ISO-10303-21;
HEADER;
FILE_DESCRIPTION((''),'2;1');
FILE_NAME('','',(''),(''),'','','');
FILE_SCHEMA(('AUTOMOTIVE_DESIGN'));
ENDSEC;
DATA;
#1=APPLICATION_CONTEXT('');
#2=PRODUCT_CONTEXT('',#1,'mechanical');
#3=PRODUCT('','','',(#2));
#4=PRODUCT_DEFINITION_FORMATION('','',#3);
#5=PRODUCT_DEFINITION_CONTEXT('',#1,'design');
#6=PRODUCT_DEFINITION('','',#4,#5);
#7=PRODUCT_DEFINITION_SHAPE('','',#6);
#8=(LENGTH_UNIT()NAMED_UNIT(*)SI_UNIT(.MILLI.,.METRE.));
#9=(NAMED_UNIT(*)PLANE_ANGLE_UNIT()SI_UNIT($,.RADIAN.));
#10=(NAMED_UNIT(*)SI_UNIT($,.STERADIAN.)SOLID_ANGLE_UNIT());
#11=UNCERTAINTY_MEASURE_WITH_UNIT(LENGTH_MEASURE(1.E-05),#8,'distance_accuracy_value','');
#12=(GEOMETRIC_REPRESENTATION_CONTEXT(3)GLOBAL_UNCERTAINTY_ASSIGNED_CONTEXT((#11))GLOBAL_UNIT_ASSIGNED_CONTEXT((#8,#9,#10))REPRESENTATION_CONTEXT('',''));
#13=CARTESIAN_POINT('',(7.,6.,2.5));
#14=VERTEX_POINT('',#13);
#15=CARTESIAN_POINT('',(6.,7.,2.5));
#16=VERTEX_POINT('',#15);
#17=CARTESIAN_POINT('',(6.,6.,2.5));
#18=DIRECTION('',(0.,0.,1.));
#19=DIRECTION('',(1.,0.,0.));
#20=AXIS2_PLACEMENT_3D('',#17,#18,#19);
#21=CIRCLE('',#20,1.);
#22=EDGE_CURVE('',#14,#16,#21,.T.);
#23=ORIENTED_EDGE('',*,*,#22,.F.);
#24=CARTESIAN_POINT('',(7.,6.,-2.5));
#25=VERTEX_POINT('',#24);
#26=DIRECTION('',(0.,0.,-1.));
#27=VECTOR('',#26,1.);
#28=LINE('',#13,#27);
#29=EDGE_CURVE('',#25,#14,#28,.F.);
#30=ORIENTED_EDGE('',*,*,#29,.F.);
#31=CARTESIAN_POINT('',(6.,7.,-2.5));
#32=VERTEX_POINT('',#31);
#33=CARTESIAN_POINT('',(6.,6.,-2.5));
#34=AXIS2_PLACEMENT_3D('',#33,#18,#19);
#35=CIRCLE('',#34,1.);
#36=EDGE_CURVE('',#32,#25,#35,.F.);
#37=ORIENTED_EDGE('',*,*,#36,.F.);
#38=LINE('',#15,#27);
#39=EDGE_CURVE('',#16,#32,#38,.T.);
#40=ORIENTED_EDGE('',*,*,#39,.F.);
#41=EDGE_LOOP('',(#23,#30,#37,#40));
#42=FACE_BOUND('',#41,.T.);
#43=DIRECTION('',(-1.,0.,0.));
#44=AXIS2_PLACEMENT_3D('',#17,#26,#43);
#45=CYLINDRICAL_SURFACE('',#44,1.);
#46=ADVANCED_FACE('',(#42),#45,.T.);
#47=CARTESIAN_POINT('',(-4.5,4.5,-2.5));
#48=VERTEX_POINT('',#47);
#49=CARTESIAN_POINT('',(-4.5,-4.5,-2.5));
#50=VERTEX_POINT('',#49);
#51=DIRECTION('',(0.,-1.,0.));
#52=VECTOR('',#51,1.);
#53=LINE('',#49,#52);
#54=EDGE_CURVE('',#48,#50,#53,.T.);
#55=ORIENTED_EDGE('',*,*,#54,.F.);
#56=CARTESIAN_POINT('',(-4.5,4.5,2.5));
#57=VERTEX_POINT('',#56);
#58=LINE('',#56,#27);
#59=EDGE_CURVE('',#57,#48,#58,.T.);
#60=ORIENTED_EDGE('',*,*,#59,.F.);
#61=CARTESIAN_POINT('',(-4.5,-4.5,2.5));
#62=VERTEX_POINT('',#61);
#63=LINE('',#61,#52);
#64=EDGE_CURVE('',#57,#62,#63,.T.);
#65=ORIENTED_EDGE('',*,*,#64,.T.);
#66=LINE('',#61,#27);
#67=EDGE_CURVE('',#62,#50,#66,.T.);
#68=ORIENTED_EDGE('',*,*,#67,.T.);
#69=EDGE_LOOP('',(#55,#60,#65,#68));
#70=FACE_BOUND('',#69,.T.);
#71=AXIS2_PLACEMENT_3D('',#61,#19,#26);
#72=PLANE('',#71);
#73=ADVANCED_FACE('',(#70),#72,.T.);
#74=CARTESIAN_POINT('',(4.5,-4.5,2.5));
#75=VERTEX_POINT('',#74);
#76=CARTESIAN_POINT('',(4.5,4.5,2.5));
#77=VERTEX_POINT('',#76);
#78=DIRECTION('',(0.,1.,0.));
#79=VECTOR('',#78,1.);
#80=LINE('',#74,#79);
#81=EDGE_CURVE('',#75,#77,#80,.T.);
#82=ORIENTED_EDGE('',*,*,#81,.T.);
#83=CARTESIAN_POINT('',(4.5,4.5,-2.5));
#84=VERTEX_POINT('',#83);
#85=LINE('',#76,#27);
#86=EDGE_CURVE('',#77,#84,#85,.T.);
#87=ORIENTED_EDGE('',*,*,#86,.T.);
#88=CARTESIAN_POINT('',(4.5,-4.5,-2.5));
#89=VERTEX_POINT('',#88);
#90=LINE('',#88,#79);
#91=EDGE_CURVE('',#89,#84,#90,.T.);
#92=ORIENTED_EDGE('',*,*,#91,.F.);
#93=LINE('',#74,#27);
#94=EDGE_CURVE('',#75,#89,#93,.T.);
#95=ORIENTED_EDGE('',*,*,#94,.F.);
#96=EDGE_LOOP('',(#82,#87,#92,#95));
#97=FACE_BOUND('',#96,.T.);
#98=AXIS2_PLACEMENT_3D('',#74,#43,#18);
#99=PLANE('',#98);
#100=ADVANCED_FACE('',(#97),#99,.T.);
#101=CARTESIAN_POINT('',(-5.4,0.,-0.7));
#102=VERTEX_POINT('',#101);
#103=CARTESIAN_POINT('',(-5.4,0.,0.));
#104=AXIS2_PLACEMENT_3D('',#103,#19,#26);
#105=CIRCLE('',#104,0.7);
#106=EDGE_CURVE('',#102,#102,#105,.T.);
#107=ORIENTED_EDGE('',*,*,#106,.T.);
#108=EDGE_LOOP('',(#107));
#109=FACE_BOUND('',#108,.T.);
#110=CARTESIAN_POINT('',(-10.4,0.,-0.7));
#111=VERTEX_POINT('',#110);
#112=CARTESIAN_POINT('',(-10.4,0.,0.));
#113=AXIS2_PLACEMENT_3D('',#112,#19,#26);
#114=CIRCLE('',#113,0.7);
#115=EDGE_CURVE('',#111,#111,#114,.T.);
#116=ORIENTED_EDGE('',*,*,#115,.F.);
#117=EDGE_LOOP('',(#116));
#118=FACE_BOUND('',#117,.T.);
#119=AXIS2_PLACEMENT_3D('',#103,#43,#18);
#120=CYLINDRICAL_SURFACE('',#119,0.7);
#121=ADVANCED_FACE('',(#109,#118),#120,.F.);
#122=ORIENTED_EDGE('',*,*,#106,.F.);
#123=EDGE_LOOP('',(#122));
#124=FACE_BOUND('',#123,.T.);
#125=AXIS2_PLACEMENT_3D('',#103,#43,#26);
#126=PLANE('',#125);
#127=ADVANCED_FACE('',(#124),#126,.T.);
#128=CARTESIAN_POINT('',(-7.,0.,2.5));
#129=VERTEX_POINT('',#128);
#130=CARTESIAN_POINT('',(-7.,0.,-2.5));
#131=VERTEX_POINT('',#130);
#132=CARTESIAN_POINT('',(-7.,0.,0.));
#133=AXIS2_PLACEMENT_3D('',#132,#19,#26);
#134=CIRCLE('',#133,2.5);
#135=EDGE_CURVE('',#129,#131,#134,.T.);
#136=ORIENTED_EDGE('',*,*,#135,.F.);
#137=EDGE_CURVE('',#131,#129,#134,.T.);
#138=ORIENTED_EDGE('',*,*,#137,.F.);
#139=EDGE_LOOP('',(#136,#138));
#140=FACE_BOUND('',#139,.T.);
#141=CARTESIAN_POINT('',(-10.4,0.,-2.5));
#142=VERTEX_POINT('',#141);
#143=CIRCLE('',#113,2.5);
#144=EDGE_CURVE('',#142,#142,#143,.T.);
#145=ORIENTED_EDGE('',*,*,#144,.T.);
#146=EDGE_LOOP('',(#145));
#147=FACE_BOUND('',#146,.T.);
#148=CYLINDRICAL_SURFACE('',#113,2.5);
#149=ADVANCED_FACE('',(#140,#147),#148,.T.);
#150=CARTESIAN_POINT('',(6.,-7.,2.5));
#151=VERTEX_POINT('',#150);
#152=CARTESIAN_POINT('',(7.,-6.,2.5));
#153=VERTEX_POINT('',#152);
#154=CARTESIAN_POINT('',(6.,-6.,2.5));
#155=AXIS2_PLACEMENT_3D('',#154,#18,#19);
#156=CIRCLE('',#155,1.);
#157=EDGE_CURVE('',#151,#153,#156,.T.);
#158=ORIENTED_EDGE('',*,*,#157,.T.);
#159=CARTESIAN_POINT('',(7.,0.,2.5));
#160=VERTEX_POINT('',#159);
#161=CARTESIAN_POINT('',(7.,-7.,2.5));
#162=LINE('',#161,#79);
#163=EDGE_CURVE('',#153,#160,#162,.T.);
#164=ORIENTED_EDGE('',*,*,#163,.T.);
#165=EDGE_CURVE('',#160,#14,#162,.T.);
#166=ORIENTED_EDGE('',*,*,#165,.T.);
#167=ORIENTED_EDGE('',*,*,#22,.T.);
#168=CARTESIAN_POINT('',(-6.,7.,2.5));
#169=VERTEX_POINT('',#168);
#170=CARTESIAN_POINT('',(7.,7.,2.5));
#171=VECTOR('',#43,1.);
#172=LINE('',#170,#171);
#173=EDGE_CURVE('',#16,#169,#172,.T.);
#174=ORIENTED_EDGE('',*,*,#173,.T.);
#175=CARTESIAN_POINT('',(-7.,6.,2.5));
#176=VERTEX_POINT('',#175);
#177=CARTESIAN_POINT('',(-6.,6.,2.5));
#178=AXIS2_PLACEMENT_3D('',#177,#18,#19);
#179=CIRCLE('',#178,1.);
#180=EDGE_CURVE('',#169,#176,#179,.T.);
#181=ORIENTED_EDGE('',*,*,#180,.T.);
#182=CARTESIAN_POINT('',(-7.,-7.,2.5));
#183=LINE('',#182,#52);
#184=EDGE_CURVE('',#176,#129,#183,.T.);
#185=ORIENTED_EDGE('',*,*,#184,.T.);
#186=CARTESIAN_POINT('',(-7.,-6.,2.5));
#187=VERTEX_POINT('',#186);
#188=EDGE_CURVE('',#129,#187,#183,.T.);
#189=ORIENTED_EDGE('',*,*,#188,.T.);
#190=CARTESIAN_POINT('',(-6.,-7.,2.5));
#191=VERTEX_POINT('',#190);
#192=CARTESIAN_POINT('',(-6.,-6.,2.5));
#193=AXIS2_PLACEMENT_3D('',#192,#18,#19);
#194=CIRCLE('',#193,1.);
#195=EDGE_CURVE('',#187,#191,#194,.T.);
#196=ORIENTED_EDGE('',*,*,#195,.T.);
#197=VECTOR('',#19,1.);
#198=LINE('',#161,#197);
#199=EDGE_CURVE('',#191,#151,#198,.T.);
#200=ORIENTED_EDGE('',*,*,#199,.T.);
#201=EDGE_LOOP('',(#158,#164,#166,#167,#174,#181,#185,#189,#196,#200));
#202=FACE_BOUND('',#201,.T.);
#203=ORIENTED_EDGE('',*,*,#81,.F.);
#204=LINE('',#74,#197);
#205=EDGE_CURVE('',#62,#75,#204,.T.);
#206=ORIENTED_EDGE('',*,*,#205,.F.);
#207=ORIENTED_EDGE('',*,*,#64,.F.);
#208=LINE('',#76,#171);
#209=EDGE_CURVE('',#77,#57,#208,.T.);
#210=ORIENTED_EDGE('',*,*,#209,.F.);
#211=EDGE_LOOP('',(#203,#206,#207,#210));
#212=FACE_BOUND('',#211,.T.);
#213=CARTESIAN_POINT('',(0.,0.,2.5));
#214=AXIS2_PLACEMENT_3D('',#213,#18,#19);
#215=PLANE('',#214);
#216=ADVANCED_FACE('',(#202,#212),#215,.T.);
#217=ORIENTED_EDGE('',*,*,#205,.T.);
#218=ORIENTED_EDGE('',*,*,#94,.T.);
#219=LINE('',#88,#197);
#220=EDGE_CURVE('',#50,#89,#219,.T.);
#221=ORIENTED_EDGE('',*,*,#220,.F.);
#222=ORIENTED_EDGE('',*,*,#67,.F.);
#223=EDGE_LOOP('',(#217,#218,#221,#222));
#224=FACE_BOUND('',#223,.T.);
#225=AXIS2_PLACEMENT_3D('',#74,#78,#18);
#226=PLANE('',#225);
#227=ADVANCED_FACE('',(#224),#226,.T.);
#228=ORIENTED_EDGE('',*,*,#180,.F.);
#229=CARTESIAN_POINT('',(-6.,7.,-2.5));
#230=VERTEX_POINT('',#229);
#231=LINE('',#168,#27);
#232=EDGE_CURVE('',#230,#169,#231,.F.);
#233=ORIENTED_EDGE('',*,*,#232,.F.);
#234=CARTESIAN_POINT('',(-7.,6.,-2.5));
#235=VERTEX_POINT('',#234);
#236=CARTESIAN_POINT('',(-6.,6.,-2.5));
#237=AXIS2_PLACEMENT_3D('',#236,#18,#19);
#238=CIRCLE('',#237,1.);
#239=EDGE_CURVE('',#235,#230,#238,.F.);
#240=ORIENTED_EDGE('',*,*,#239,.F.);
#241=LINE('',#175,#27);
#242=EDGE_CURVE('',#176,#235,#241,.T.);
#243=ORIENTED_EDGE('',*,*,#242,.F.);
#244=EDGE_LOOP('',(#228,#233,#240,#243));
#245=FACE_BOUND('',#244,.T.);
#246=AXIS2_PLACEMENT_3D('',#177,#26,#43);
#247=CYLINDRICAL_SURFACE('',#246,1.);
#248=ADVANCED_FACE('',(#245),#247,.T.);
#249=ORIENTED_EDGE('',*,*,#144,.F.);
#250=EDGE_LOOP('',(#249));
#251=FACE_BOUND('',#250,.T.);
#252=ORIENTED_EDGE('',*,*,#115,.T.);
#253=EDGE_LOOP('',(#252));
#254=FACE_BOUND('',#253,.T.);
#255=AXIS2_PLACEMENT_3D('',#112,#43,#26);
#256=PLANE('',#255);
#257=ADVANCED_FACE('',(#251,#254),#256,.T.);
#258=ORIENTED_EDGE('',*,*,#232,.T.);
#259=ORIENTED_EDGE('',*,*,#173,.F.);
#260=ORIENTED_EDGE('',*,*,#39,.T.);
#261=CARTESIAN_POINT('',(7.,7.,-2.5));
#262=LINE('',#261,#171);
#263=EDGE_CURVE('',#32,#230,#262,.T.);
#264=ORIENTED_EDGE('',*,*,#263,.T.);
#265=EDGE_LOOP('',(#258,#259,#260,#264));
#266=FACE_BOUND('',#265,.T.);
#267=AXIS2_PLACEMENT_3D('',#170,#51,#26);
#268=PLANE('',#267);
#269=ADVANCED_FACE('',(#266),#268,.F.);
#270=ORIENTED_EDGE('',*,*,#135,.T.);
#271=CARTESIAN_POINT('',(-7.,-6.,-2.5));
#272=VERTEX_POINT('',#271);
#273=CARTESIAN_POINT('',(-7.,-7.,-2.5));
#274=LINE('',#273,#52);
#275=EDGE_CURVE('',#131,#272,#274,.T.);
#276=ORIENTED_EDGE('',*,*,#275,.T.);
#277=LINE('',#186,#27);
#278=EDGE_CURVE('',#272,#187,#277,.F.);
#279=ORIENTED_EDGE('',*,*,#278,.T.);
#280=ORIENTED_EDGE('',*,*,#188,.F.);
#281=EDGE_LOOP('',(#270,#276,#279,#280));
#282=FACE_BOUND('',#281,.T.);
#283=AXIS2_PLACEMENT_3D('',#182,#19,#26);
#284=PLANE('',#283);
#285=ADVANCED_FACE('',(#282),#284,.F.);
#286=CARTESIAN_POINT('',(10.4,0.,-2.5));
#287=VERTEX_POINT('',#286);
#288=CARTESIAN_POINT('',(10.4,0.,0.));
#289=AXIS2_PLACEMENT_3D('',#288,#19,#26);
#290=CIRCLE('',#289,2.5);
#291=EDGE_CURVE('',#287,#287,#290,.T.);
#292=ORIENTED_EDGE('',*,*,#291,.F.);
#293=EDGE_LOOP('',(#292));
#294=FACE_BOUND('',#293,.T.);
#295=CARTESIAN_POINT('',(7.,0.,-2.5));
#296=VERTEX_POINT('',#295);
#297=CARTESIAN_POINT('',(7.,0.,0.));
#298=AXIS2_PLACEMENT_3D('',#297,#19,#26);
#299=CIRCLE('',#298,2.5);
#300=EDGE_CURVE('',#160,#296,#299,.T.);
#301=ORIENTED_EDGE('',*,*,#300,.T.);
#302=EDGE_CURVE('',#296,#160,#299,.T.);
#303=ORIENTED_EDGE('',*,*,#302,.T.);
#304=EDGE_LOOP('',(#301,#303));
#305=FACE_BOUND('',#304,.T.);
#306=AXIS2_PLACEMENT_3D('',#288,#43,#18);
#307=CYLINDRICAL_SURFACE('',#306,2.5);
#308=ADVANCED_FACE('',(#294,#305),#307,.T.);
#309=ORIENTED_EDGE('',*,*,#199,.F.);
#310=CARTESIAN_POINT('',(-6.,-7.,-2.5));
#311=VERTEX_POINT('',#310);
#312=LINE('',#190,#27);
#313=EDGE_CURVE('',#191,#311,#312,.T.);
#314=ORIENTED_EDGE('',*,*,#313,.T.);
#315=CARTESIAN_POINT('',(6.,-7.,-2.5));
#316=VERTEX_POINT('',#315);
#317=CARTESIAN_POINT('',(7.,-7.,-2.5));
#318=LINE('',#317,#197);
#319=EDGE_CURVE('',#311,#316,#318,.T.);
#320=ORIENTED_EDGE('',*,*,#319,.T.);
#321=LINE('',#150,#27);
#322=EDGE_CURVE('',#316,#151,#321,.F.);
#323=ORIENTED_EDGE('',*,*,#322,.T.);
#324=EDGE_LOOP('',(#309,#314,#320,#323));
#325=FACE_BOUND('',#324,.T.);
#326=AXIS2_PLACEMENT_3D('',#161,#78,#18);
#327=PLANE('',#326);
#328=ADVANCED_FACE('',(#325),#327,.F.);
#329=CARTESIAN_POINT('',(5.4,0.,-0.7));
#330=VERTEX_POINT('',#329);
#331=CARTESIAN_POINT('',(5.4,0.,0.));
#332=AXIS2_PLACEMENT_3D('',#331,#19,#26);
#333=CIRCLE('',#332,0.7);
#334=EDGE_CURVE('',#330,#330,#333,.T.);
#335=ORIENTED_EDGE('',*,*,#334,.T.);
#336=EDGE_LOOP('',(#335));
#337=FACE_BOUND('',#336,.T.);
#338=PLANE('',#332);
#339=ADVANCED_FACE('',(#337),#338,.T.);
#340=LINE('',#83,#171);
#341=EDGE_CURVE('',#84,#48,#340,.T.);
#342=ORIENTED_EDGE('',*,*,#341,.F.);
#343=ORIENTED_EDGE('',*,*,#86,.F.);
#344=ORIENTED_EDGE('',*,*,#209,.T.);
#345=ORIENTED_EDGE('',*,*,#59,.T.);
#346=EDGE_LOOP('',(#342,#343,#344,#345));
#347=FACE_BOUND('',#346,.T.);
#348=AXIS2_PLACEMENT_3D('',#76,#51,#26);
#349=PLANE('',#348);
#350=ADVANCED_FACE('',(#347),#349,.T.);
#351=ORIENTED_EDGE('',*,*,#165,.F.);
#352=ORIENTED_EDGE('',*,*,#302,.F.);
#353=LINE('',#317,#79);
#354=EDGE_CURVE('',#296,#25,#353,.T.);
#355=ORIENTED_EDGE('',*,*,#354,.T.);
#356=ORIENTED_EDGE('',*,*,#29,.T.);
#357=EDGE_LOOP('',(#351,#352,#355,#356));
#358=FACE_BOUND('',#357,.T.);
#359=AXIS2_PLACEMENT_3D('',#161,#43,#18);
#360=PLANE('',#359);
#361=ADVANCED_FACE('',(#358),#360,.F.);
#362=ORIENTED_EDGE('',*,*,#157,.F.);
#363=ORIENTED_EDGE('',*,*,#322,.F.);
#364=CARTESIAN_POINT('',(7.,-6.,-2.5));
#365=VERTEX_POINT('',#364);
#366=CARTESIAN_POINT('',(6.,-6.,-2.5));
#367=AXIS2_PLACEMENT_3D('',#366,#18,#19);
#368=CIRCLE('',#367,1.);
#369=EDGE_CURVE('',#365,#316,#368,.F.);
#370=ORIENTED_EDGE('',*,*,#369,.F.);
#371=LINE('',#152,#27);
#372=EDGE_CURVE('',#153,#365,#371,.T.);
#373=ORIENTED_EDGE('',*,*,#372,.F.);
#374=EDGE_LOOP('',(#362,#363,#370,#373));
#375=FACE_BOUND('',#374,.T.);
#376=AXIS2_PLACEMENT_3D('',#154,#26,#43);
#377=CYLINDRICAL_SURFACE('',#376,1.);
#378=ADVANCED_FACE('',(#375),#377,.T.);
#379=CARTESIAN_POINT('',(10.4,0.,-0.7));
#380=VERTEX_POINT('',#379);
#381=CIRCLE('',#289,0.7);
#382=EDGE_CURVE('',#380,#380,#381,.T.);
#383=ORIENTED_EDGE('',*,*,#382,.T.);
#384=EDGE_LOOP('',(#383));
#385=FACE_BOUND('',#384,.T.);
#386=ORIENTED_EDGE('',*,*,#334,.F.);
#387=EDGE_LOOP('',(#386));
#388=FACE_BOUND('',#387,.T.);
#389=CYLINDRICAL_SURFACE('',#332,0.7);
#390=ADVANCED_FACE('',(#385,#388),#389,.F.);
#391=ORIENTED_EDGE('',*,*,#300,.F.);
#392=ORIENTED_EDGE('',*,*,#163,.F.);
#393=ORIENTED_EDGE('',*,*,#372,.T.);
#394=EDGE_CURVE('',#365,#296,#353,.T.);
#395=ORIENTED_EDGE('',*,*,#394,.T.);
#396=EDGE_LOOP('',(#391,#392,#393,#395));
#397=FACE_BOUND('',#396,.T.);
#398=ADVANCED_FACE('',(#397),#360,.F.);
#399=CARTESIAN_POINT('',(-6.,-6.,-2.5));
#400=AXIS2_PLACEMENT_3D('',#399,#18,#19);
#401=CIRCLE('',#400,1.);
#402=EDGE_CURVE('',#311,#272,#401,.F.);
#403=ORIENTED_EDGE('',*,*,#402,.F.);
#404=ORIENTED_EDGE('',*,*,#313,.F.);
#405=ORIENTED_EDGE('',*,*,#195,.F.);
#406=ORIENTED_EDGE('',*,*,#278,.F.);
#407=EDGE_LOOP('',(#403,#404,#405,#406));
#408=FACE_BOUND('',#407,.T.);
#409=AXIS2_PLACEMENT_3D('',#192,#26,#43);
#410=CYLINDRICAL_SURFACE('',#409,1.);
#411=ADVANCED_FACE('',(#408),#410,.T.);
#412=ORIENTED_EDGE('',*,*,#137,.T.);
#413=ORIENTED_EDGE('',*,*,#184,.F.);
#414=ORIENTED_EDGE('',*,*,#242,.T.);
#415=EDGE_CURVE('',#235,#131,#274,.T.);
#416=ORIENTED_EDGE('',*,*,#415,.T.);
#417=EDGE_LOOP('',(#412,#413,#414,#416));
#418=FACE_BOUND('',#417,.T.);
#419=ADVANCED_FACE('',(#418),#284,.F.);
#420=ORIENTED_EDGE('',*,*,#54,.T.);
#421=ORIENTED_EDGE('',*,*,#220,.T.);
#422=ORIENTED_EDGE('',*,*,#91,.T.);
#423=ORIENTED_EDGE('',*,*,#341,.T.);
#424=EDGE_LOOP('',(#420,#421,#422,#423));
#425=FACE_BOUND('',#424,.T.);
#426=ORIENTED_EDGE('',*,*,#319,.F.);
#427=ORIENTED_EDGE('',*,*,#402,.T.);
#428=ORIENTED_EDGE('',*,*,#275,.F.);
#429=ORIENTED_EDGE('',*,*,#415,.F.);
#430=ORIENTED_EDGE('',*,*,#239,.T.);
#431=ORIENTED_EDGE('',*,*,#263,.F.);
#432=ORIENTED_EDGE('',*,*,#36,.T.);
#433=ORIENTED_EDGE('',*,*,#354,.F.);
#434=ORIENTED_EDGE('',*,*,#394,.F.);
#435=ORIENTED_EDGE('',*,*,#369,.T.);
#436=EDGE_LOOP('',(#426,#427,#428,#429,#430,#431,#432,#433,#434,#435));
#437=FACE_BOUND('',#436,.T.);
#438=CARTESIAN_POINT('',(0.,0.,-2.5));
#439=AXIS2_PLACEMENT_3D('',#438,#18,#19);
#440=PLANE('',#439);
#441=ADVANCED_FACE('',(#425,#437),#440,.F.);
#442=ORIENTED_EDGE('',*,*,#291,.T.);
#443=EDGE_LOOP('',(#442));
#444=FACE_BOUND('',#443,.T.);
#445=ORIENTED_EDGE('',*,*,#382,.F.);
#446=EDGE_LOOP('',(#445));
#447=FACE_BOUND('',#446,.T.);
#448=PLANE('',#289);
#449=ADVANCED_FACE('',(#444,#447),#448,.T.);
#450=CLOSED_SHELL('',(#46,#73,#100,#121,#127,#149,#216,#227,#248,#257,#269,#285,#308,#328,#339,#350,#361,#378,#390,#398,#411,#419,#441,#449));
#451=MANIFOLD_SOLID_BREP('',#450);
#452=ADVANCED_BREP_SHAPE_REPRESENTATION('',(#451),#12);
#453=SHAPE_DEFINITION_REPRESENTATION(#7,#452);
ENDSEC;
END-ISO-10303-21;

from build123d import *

# Parameters (mm, degrees)
SKETCH1_W           = 14
SKETCH1_H           = 14
SKETCH1_W_2         = 9
SKETCH1_H_2         = 9
BOSS_EXTRUDE1_DEPTH = 2.5
SKETCH3_R           = 2.5
BOSS_EXTRUDE2_DEPTH = 3.4
SKETCH4_R           = 0.7
CUT_EXTRUDE1_DEPTH  = 5
FILLET1_R           = 1


with BuildPart() as part:
    # Sketch1 → Boss-Extrude1 (new body, symmetric)
    with BuildSketch(Plane.XY):
        Rectangle(SKETCH1_W, SKETCH1_H)
        Rectangle(SKETCH1_W_2, SKETCH1_H_2, mode=Mode.SUBTRACT)
    extrude(amount=BOSS_EXTRUDE1_DEPTH, both=True)

    # Sketch3 → Boss-Extrude2 (add)
    with BuildSketch(Plane(origin=(7, 0, 0), x_dir=(0, 0, -1), z_dir=(1, 0, 0))):
        Circle(SKETCH3_R)
    boss_extrude2 = extrude(amount=BOSS_EXTRUDE2_DEPTH)

    # Sketch4 → Cut-Extrude1 (cut)
    with BuildSketch(Plane(origin=(10.4, 0, 0), x_dir=(0, 0, -1), z_dir=(1, 0, 0))):
        Circle(SKETCH4_R)
    cut_extrude1 = extrude(amount=-CUT_EXTRUDE1_DEPTH, mode=Mode.SUBTRACT)

    # Mirror1: Boss-Extrude2, Cut-Extrude1 across plane
    add(boss_extrude2.mirror(Plane(origin=(0, 0, 0), x_dir=(0, 0, 1), z_dir=(1, 0, 0))))
    add(cut_extrude1.mirror(Plane(origin=(0, 0, 0), x_dir=(0, 0, 1), z_dir=(1, 0, 0))), mode=Mode.SUBTRACT)

    # Fillet1
    fillet1_edges = [part.edges().sort_by_distance(p)[0] for p in [
        (-7, 7, 0),
        (7, 7, 0),
        (7, -7, 0),
        (-7, -7, 0),
    ]]
    fillet(fillet1_edges, radius=FILLET1_R)


solid = part.part
